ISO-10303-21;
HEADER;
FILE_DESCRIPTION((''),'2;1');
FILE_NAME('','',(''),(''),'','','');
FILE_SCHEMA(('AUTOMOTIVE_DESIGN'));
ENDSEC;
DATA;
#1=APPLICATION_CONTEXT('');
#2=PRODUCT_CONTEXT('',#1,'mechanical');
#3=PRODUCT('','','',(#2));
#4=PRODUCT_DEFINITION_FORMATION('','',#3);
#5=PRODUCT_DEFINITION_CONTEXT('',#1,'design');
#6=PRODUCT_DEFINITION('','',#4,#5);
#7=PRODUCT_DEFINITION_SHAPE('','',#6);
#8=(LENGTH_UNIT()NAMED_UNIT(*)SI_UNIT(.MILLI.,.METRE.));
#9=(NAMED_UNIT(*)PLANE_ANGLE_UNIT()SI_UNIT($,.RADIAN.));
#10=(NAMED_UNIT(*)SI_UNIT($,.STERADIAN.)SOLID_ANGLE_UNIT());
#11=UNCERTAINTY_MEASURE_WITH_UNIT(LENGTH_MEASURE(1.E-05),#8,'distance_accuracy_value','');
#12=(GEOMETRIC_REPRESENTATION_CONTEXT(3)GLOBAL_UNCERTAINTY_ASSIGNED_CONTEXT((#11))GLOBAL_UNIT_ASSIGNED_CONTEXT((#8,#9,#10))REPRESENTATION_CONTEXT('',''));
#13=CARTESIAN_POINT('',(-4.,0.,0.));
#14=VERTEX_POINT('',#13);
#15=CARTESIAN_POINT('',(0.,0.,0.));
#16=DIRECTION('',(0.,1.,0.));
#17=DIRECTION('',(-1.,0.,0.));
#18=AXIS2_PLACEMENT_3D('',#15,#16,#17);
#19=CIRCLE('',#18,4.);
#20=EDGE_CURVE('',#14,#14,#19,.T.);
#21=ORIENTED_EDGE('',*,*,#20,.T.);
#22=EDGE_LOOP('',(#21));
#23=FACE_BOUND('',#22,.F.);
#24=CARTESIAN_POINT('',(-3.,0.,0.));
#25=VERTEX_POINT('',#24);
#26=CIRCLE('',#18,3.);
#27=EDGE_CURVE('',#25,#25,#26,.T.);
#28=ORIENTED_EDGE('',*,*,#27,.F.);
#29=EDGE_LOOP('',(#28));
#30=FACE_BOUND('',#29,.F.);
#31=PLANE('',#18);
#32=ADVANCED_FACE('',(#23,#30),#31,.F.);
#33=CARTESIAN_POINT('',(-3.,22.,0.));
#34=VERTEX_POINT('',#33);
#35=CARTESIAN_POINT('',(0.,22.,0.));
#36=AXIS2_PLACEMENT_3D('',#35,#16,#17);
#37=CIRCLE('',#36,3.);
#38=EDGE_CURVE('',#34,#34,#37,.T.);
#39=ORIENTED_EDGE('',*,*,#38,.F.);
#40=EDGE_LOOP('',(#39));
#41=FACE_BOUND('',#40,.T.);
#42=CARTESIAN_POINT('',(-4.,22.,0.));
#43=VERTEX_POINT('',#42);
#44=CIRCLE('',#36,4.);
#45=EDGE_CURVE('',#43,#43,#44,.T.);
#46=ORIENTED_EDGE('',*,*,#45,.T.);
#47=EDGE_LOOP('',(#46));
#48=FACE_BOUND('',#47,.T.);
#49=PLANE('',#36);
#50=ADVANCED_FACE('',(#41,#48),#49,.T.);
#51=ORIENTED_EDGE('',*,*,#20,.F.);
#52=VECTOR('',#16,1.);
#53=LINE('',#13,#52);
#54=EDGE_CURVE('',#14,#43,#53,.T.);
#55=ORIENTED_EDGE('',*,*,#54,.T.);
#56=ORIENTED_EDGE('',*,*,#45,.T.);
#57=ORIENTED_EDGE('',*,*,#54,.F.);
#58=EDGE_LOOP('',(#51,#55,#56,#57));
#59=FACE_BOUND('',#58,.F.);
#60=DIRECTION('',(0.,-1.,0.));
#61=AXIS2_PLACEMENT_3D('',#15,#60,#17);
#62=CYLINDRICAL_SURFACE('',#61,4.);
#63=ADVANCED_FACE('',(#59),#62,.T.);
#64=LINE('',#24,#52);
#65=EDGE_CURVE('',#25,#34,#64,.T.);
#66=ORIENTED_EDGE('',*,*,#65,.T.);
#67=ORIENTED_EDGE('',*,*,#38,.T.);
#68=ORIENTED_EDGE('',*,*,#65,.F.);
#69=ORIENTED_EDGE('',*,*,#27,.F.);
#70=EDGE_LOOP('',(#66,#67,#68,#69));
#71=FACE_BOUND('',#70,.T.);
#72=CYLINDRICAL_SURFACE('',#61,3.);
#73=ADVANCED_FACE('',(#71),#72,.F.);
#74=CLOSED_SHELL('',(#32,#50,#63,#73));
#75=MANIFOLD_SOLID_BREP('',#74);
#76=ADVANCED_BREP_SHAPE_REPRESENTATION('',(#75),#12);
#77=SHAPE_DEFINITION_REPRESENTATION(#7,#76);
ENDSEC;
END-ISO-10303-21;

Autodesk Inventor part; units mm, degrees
ref_plane "YZ Plane" through (0, 0, 0) normal (1, 0, 0) x (0, 1, 0)
ref_plane "XZ Plane" through (0, 0, 0) normal (0, 1, 0) x (-1, 0, 0)
ref_plane "XY Plane" through (0, 0, 0) normal (0, 0, 1) x (1, 0, 0)
sketch "Sketch1" plane through (0, 0, 0) normal (0, 1, 0) x (-1, 0, 0)
  circle A0 centre (0, 0) radius 4
  circle A1 centre (0, 0) radius 3
  dimension "d0" = 8
  dimension "d1" = 6
extrude "Extrusion1" add sketch "Sketch1" along normal blind 22
properties part number "vymezovaci_trubicka"
